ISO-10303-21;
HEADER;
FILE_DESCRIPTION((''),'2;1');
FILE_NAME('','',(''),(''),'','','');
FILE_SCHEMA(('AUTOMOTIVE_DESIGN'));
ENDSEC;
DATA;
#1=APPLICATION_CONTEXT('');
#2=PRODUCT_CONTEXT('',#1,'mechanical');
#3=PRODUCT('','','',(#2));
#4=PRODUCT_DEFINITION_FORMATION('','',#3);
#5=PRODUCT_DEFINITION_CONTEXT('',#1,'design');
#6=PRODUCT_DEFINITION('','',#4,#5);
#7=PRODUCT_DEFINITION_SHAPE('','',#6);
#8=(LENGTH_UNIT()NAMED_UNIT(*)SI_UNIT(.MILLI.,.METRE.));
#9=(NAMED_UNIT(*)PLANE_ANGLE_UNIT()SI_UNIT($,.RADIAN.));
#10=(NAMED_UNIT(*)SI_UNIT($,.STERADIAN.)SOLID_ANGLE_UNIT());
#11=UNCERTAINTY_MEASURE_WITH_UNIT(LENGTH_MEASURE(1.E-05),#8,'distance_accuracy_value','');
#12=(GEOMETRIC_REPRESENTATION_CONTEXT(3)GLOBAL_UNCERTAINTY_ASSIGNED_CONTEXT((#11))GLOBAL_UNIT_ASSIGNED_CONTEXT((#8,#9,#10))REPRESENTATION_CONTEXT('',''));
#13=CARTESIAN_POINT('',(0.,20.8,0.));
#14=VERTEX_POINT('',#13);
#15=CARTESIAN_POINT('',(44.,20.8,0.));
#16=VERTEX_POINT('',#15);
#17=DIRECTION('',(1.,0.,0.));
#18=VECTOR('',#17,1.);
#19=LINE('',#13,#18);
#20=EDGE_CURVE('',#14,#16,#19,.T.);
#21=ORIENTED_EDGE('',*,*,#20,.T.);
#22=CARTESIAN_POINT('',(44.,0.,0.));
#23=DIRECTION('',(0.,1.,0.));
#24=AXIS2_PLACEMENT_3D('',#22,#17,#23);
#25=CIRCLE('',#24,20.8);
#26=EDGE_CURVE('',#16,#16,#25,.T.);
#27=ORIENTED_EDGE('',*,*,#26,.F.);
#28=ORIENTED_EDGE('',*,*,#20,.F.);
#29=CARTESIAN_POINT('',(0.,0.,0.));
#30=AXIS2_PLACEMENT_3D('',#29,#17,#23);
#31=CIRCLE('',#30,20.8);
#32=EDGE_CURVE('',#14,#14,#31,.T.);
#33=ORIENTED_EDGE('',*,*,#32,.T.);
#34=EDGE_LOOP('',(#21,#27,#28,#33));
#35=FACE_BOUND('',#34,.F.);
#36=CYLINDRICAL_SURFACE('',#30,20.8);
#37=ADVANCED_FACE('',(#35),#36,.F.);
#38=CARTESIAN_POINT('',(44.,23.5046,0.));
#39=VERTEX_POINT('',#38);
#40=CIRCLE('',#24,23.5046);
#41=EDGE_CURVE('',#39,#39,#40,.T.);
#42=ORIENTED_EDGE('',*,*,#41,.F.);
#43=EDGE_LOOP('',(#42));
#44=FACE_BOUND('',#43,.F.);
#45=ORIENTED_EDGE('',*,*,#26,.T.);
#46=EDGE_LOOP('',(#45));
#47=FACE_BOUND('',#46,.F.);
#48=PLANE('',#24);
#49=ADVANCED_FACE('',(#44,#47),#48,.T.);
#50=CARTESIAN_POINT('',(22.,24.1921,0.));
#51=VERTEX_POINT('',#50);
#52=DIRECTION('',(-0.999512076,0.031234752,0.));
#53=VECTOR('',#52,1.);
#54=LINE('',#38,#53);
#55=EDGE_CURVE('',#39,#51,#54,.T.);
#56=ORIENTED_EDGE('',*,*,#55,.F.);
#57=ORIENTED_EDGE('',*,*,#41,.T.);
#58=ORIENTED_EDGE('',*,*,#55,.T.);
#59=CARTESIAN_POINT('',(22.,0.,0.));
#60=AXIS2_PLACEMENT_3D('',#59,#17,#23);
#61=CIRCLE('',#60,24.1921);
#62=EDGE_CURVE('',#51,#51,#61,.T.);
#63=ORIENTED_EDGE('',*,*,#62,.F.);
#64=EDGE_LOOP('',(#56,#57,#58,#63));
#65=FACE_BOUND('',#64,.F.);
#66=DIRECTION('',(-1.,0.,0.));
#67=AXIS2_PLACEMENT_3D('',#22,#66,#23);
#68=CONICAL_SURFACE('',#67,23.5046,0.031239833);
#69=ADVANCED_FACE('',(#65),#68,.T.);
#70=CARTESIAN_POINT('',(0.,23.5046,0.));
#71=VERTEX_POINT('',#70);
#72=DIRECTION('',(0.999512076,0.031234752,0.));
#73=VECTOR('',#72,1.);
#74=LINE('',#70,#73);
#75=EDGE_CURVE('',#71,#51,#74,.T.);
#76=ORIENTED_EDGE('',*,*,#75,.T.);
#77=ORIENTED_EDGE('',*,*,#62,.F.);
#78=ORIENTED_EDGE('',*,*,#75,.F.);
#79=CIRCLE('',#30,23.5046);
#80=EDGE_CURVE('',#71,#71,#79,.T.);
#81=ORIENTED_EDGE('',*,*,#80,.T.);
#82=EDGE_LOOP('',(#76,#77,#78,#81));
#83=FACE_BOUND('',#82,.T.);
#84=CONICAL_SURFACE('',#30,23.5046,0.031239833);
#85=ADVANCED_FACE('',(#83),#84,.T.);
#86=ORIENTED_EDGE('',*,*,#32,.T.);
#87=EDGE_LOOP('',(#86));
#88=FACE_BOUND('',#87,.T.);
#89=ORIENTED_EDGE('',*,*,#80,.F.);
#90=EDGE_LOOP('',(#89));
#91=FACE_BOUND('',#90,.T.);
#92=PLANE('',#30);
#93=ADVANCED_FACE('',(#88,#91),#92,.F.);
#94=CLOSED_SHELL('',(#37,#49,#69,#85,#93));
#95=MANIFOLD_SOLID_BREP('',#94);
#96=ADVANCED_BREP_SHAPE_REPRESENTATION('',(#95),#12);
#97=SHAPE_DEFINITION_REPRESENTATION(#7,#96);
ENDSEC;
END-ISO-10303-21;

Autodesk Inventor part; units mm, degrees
ref_plane "YZ Plane" through (0, 0, 0) normal (1, 0, 0) x (0, 1, 0)
ref_plane "XZ Plane" through (0, 0, 0) normal (0, 1, 0) x (-1, 0, 0)
ref_plane "XY Plane" through (0, 0, 0) normal (0, 0, 1) x (1, 0, 0)
sketch "Sketch1" plane through (0, 0, 0) normal (0, 0, 1) x (1, 0, 0)
  line L0 (0, 0) -> (44, 0)
  line L1 (44, 20.8) -> (44, 23.5046)
  line L2 (44, 20.8) -> (44, 0) construction
  line L3 (0, 20.8) -> (0, 23.5046)
  line L4 (0, 20.8) -> (0, 0) construction
  line L5 (0, -4.8384) -> (0, 29.0305) projected
  line L6 (-8.8, 0) -> (52.8, 0) projected
  line L7 (0, 20.8) -> (44, 20.8)
  line L8 (0, 23.5046) -> (22, 24.1921)
  line L9 (22, 24.1921) -> (22, 0) construction
  line L10 (12.7, 23.9015) -> (12.7, 0) construction
  line L11 (44, 23.5046) -> (22, 24.1921)
  dimension "d0" = 41.6
  dimension "d1" = 1.79
  dimension "d2" = 44
  dimension "d7" = 12.7
  dimension "d8" = 47.803
revolve "Revolution1" add sketch "Sketch1" angle 360 about axis through (0, 0, 0) along (1, 0, 0)
thread "Thread1" size "R 1 1/2" standard "JIS Taper" full length
thread "Thread2" size "R 1 1/2" standard "JIS Taper" full length
equation "\"d0\" = d"
equation "\"d2\" = L"
equation "\"d7\" = a"
equation "\"d8\" = MjD"
equation "\"MjD\" = 47.803"
equation "\"d\" = 41.6"
equation "\"a\" = 12.7"
equation "\"Size_Designation\" = 1.5"
properties part number "JIS B 2302 Close Nipple 1 1/2" material "Steel, Carbon"
